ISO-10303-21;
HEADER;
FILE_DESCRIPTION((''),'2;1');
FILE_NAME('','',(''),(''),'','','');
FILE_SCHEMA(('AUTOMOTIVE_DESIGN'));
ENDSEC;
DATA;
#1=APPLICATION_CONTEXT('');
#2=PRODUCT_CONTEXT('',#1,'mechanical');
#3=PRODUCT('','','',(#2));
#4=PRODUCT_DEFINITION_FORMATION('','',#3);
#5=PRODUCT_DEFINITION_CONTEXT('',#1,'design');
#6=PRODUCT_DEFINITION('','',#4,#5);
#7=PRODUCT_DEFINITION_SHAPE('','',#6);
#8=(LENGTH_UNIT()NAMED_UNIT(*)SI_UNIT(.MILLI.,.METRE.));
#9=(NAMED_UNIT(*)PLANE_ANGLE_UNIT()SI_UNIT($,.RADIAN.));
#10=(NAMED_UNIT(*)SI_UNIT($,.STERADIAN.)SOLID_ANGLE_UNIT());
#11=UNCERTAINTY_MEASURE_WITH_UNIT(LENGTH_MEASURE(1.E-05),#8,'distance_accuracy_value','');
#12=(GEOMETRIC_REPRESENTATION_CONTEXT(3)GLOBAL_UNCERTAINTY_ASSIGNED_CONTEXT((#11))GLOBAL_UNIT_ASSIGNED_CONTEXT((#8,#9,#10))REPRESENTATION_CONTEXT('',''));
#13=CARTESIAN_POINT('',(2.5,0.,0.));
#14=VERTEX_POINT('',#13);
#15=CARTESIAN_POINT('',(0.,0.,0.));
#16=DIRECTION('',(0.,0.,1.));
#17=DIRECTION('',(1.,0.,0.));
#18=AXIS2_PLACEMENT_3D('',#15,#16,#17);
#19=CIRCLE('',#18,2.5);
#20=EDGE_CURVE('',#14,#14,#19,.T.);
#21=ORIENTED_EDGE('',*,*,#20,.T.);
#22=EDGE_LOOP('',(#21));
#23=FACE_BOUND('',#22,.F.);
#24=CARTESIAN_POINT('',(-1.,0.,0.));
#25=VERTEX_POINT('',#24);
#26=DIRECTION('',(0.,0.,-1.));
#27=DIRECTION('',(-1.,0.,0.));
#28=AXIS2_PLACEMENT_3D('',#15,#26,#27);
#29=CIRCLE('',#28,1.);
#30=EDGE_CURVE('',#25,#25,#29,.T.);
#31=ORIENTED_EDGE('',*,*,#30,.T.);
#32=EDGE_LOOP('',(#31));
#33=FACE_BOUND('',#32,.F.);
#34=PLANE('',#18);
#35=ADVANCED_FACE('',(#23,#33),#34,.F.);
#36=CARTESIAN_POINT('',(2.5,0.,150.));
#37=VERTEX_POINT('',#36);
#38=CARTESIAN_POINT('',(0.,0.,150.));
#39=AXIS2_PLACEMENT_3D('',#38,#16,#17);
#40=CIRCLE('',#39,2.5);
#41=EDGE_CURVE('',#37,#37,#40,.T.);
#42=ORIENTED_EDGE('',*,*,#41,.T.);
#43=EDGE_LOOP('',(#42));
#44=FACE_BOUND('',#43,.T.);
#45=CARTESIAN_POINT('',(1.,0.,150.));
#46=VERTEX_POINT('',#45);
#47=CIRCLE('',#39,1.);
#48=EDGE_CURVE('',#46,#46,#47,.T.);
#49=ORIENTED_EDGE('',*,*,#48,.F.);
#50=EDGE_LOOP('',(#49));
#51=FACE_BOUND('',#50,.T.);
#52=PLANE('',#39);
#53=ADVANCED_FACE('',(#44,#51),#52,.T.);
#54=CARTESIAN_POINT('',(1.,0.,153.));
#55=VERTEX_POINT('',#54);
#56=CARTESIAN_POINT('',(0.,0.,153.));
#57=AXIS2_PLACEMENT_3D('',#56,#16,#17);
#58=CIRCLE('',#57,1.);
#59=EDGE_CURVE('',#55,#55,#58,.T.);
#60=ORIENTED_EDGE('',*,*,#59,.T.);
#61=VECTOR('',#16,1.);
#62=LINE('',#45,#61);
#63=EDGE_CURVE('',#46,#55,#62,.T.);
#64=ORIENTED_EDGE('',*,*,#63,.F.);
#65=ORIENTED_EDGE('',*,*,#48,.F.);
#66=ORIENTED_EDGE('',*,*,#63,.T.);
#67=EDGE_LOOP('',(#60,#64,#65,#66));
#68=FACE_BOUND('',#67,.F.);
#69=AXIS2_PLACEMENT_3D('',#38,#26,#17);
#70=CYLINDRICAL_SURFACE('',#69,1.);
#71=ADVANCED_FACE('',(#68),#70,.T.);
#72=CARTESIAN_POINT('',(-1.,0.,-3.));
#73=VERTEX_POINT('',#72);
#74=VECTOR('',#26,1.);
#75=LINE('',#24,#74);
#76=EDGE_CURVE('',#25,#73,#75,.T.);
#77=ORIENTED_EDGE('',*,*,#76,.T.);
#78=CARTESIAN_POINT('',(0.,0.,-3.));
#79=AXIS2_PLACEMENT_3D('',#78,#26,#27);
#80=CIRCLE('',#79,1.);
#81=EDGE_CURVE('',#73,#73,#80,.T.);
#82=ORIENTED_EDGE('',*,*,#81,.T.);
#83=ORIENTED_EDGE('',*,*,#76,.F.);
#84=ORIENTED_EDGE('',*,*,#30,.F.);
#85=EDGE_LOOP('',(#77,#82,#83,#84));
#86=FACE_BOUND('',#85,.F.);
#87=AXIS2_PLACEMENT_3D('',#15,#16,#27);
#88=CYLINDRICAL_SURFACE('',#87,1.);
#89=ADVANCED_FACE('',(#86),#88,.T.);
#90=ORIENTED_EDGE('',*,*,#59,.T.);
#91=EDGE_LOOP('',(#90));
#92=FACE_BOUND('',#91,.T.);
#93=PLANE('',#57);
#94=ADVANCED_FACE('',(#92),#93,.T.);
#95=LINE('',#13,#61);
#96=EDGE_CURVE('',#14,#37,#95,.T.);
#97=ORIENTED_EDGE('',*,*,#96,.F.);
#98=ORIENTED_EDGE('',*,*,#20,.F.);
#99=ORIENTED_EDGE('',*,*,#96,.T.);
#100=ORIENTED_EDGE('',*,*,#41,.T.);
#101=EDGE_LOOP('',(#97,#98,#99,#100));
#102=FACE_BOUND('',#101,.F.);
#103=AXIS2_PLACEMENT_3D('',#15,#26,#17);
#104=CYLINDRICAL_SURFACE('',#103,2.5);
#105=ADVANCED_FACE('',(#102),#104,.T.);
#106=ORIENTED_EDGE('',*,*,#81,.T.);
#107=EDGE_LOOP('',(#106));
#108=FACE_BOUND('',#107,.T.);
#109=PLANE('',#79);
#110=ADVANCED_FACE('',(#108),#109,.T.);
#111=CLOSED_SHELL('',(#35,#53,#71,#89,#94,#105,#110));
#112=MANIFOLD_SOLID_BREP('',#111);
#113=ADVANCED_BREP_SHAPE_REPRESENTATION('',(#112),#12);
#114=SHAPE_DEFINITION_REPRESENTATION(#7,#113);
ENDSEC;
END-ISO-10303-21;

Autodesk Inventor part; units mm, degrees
ref_plane "YZ Plane" through (0, 0, 0) normal (1, 0, 0) x (0, 1, 0)
ref_plane "XZ Plane" through (0, 0, 0) normal (0, 1, 0) x (-1, 0, 0)
ref_plane "XY Plane" through (0, 0, 0) normal (0, 0, 1) x (1, 0, 0)
sketch "Sketch1" plane through (0, 0, 0) normal (0, 0, 1) x (1, 0, 0)
  circle A0 centre (0, 0) radius 2.5
  dimension "d0" = 5
extrude "Extrusion1" add sketch "Sketch1" along normal blind 150
sketch "Sketch2" plane through (0, 0, 150) normal (0, 0, 1) x (1, 0, 0)
  circle A0 centre (0, 0) radius 2.5 projected
  circle A1 centre (0, 0) radius 1
  dimension "d3" = 2
extrude "Extrusion2" add sketch "Sketch2" along normal blind 3 contours A1
sketch "Sketch3" plane through (0, 0, 0) normal (0, 0, -1) x (-1, 0, 0)
  circle A0 centre (0, 0) radius 1
  dimension "d6" = 2
extrude "Extrusion3" add sketch "Sketch3" along normal blind 3
properties part number "Bone-15cm"
